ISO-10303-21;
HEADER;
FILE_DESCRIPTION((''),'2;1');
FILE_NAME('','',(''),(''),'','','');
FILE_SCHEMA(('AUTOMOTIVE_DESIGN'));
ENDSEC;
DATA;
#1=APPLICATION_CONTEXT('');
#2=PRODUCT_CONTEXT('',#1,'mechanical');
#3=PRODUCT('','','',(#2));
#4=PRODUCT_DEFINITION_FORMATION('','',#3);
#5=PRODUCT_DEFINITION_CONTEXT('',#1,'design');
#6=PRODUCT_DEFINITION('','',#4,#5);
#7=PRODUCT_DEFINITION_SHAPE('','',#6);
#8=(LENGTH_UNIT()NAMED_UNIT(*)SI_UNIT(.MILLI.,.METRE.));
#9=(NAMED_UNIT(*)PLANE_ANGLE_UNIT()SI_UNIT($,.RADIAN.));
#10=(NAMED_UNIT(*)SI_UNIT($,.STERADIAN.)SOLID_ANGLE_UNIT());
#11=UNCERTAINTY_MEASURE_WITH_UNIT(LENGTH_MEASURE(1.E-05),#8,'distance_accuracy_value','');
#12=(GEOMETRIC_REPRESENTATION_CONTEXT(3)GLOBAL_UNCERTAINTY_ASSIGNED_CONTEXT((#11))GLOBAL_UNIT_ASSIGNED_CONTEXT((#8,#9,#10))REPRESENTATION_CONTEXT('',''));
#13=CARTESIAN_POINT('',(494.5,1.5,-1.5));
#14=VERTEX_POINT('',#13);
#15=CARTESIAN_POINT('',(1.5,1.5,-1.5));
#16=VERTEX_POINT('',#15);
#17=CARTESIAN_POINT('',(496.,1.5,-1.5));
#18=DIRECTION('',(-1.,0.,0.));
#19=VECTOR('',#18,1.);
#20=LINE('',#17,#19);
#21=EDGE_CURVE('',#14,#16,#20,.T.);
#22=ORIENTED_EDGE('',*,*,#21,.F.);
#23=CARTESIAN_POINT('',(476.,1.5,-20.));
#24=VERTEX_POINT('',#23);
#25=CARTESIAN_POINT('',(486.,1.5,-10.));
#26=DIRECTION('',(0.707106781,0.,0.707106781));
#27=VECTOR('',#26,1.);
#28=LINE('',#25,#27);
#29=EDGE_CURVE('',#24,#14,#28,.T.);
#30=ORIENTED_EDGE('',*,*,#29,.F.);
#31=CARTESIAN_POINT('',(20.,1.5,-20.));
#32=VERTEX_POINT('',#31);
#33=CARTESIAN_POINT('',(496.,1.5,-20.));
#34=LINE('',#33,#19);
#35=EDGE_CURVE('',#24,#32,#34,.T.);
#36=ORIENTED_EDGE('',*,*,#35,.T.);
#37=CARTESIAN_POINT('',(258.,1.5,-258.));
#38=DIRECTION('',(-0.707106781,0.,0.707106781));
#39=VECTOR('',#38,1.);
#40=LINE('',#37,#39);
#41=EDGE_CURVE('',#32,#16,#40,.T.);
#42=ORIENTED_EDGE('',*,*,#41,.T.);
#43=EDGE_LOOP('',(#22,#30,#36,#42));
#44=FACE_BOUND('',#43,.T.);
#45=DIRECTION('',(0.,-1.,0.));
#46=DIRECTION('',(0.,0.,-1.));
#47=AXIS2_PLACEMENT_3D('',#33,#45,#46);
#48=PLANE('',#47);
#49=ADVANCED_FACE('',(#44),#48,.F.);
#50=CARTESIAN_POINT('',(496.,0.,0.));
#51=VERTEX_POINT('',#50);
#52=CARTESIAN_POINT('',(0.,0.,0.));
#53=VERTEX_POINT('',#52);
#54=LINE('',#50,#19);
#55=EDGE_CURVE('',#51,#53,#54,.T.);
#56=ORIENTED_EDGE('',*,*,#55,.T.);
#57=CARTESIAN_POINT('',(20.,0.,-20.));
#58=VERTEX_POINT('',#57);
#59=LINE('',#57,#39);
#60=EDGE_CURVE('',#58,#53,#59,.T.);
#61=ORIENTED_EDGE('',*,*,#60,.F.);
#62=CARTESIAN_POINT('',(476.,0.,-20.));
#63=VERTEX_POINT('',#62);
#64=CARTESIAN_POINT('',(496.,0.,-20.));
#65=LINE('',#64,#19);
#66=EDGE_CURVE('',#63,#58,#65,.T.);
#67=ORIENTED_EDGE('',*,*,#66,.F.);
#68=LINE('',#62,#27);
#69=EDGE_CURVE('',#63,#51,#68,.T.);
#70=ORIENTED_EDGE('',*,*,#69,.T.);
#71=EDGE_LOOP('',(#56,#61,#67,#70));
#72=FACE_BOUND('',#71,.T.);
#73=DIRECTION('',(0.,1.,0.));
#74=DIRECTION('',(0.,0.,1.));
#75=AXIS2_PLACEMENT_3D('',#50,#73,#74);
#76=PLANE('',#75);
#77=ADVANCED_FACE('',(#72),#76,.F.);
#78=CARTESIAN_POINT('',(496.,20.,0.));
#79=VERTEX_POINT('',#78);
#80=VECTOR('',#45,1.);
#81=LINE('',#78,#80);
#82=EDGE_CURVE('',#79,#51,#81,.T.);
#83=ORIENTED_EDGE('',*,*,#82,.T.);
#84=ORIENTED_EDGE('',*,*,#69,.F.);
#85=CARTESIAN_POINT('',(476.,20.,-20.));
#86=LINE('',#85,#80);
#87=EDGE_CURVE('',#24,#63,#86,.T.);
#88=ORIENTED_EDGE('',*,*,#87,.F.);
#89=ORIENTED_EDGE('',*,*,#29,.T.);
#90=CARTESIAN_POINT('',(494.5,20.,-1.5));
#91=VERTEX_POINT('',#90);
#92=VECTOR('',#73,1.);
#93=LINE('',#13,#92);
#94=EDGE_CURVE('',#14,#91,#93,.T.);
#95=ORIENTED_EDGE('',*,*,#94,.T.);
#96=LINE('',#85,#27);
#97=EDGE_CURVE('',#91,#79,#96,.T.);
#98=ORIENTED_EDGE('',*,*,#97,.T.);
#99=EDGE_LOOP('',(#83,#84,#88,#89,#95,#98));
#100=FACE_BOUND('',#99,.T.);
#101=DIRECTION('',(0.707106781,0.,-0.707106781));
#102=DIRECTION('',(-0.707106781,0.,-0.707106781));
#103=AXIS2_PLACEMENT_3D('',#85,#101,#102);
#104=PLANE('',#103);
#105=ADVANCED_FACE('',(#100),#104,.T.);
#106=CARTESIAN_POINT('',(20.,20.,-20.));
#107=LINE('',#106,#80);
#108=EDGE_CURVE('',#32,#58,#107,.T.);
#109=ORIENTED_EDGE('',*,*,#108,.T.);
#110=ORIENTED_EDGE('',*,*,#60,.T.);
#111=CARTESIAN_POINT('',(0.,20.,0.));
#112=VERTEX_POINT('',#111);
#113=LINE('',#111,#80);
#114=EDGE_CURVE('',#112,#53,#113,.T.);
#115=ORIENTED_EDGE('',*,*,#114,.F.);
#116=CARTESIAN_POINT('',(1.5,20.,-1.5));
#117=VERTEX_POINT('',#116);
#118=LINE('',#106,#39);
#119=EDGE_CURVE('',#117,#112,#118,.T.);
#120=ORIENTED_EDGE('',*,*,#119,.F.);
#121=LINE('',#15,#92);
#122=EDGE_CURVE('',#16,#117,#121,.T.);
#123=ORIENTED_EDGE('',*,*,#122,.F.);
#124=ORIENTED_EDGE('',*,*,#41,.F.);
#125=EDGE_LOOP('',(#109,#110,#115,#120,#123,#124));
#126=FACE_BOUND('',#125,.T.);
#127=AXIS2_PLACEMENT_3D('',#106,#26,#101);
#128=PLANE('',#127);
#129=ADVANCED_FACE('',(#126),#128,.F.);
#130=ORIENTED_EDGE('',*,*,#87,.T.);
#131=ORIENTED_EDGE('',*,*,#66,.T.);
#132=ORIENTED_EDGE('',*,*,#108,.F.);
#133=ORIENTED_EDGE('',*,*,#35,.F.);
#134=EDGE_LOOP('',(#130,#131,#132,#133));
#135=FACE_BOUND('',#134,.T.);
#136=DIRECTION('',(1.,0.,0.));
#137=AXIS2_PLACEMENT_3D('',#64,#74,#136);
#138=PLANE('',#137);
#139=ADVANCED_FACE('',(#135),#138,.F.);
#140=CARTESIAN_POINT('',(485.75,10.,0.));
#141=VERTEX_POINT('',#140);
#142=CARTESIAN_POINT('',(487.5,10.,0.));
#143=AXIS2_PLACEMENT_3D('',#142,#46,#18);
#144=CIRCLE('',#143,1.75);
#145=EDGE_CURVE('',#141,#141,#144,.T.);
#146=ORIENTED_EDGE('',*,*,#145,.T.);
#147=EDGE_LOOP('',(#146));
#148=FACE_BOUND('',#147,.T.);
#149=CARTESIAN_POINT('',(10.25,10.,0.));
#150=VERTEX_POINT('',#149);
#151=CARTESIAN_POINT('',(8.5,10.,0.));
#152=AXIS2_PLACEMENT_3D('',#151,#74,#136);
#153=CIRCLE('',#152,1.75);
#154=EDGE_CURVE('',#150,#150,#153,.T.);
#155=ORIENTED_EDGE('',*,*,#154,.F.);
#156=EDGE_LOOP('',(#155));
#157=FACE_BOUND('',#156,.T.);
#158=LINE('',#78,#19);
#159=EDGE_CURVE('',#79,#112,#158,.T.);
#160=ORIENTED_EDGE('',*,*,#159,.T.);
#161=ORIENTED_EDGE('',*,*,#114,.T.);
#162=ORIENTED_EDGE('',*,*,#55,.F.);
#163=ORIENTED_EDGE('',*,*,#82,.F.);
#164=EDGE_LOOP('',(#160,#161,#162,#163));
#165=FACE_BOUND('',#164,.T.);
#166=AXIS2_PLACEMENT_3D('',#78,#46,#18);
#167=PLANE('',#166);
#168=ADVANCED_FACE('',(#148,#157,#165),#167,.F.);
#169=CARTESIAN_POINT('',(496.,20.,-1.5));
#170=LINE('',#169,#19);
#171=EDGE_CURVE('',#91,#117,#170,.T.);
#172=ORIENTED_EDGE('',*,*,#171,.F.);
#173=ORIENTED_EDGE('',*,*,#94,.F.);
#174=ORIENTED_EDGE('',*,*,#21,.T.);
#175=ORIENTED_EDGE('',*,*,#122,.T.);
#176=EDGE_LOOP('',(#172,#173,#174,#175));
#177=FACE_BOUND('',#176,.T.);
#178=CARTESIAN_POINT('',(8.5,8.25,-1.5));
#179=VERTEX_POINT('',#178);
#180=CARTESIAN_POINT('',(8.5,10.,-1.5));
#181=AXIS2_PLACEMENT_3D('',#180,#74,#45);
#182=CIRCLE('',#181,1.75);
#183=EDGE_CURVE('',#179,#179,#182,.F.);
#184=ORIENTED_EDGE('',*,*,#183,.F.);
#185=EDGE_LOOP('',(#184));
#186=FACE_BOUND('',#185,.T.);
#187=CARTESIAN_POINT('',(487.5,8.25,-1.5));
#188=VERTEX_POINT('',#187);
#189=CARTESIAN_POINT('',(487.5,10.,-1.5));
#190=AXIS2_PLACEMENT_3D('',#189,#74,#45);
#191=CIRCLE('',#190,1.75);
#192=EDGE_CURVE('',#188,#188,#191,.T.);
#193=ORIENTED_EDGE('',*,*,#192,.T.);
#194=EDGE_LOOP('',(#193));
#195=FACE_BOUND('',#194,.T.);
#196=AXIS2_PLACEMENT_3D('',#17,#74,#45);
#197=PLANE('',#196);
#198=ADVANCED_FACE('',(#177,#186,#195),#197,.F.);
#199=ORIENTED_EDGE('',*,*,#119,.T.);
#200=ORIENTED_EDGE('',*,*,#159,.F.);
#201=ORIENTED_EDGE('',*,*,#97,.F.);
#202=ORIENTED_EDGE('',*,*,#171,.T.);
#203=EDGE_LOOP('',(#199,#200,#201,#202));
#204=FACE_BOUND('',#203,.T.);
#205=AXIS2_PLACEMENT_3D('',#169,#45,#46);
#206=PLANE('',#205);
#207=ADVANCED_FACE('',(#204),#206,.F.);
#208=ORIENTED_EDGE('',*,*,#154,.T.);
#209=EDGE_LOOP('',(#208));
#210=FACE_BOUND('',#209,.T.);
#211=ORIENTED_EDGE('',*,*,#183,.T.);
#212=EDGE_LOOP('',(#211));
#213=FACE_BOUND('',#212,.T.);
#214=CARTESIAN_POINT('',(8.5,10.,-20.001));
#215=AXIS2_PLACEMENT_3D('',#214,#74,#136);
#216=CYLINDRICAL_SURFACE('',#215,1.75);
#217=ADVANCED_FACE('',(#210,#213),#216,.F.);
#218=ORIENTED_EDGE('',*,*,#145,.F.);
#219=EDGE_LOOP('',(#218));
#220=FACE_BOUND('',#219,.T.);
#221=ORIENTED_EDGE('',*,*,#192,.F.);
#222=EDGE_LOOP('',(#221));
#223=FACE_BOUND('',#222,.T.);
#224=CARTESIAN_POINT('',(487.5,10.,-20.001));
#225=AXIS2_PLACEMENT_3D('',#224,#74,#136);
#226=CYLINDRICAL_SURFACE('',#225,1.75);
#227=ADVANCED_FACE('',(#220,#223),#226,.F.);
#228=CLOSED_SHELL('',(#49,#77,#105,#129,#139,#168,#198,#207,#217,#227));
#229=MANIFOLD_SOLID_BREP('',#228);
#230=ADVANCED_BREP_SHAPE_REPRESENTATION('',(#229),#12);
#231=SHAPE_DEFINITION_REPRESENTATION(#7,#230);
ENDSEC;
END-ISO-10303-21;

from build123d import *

# Parameters (mm, degrees)
EXTRUDE_1_DEPTH     = 496
CUT_EXTRUDE_1_DEPTH = 497.805797068
CUT_EXTRUDE_2_REACH = 498.806
SKETCH_3_R          = 1.75


with BuildPart() as part:
    # Эскиз1 → Бобышка-Вытянуть1 (new body)
    with BuildSketch(Plane(origin=(0, 0, 0), x_dir=(0, 0, -1), z_dir=(1, 0, 0))):
        Polygon((0, 0), (20, 0), (20, 1.5), (1.5, 1.5), (1.5, 20), (0, 20), align=None)
    extrude(amount=EXTRUDE_1_DEPTH)

    # Эскиз2 → Вырез-Вытянуть1 (cut, through all)
    with BuildSketch(Plane.XZ):
        Polygon((0, 0), (0, -20), (20, -20), align=None)
    cut_extrude_1 = extrude(amount=-CUT_EXTRUDE_1_DEPTH, mode=Mode.SUBTRACT)

    # Эскиз3 → Вырез-Вытянуть2 (cut, up to next)
    with BuildSketch(Plane.XY, mode=Mode.PRIVATE) as cut_extrude_2_sk1:
        with Locations((8.5, 10)):
            Circle(SKETCH_3_R)
    cut_extrude_2_tool1 = extrude(cut_extrude_2_sk1.sketch, amount=-CUT_EXTRUDE_2_REACH, mode=Mode.PRIVATE) & part.part
    cut_extrude_2 = cut_extrude_2_tool1.solids().sort_by_distance((8.5, 10, 0))[0]
    add(cut_extrude_2, mode=Mode.SUBTRACT)

    # Зеркальное отражение1: Вырез-Вытянуть1, Вырез-Вытянуть2 across plane
    add(cut_extrude_1.mirror(Plane(origin=(248, 0, 0), x_dir=(0, 0, 1), z_dir=(1, 0, 0))), mode=Mode.SUBTRACT)
    add(cut_extrude_2.mirror(Plane(origin=(248, 0, 0), x_dir=(0, 0, 1), z_dir=(1, 0, 0))), mode=Mode.SUBTRACT)


solid = part.part
